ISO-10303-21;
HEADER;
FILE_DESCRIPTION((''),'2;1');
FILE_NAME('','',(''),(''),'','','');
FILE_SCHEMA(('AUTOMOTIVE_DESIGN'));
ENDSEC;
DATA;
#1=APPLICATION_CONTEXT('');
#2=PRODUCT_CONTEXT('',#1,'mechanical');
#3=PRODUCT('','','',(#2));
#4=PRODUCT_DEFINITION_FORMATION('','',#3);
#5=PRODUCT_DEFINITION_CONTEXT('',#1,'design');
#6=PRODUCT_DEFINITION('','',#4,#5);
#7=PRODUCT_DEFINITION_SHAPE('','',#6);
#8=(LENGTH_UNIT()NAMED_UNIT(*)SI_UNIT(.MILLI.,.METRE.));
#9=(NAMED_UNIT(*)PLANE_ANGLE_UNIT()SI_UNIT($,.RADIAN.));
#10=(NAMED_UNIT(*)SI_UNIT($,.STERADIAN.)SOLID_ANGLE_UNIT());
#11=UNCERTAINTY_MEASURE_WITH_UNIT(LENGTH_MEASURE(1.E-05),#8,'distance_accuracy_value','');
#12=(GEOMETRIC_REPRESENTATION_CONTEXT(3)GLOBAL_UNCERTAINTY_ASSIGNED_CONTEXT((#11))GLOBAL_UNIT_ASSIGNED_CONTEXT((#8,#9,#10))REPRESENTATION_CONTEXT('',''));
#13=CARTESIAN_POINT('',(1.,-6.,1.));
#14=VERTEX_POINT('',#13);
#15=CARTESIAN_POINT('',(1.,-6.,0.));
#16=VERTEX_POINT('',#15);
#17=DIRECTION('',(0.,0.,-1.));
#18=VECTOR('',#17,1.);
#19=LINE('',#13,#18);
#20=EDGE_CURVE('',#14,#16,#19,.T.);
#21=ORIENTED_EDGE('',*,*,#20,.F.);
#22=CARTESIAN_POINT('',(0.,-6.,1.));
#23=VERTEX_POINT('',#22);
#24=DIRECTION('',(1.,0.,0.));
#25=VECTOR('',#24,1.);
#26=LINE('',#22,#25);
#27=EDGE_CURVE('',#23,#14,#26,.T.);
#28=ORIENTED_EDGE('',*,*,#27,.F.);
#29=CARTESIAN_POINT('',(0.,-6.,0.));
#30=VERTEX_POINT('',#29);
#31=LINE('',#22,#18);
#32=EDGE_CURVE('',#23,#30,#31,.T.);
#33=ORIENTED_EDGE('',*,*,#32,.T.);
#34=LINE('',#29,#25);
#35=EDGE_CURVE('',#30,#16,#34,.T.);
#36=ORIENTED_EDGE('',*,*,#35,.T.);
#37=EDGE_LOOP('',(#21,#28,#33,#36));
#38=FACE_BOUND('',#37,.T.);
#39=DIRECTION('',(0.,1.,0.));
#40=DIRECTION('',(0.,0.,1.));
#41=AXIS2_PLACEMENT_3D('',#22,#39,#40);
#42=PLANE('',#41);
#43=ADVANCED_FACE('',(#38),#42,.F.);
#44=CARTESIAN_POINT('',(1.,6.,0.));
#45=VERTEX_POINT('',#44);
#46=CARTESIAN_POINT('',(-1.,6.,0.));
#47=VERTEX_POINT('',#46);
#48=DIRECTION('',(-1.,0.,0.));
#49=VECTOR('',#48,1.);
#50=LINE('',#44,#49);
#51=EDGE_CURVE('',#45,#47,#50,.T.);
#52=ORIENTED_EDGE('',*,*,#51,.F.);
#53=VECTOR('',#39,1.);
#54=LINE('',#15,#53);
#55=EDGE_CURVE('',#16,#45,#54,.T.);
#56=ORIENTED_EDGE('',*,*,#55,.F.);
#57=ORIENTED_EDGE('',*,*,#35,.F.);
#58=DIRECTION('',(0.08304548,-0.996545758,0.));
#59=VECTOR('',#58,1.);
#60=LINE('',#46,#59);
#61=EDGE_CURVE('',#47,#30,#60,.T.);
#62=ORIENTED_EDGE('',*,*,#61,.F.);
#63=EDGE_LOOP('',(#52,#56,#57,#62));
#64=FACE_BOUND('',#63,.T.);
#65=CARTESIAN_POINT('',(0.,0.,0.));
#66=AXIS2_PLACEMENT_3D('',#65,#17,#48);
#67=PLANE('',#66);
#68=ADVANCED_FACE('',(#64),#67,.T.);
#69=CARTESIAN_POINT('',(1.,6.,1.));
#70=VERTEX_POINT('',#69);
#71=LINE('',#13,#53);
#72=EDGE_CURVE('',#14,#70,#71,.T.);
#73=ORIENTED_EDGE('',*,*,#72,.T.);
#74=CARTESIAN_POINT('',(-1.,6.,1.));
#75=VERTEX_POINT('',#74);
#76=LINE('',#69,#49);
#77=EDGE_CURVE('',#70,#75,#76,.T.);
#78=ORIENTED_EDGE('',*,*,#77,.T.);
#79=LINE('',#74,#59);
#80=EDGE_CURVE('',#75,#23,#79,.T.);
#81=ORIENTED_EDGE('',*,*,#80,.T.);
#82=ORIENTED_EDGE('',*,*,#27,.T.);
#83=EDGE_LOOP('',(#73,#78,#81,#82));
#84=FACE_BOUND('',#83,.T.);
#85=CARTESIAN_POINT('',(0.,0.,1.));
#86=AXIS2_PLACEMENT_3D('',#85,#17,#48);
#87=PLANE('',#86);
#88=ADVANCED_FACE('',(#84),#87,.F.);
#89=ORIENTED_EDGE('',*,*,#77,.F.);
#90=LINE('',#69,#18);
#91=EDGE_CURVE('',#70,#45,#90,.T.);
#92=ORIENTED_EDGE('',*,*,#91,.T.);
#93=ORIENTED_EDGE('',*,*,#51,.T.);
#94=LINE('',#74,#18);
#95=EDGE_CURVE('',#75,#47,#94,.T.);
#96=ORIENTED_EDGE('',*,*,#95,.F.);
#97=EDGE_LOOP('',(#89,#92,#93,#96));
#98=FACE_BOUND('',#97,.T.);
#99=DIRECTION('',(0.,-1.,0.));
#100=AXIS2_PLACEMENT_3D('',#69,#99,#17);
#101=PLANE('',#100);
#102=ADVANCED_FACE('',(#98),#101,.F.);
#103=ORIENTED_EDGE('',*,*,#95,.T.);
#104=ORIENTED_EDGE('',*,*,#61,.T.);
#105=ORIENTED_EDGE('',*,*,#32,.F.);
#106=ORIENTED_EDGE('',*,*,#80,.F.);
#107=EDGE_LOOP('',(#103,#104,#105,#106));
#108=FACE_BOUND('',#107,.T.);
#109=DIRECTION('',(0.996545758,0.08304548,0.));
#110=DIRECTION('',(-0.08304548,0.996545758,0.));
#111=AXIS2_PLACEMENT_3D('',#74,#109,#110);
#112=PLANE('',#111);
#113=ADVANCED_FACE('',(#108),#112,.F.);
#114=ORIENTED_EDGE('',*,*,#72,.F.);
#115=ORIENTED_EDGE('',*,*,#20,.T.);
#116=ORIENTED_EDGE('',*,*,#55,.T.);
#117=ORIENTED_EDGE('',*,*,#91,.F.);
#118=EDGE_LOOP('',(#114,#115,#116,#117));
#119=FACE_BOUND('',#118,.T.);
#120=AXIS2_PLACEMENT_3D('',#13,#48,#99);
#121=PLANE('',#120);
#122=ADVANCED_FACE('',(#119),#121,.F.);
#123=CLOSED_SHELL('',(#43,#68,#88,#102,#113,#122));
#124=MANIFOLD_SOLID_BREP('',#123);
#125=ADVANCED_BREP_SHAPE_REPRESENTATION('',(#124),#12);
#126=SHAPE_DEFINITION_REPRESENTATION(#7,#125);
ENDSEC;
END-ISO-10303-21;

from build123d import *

# Parameters (mm, degrees)
BOSS_EXTRU_1_DEPTH = 1


with BuildPart() as part:
    # Esquisse1 → Boss.-Extru.1 (new body)
    with BuildSketch(Plane.XY):
        Polygon((-1, 6), (0, -6), (1, -6), (1, 6), align=None)
    extrude(amount=BOSS_EXTRU_1_DEPTH)


solid = part.part
